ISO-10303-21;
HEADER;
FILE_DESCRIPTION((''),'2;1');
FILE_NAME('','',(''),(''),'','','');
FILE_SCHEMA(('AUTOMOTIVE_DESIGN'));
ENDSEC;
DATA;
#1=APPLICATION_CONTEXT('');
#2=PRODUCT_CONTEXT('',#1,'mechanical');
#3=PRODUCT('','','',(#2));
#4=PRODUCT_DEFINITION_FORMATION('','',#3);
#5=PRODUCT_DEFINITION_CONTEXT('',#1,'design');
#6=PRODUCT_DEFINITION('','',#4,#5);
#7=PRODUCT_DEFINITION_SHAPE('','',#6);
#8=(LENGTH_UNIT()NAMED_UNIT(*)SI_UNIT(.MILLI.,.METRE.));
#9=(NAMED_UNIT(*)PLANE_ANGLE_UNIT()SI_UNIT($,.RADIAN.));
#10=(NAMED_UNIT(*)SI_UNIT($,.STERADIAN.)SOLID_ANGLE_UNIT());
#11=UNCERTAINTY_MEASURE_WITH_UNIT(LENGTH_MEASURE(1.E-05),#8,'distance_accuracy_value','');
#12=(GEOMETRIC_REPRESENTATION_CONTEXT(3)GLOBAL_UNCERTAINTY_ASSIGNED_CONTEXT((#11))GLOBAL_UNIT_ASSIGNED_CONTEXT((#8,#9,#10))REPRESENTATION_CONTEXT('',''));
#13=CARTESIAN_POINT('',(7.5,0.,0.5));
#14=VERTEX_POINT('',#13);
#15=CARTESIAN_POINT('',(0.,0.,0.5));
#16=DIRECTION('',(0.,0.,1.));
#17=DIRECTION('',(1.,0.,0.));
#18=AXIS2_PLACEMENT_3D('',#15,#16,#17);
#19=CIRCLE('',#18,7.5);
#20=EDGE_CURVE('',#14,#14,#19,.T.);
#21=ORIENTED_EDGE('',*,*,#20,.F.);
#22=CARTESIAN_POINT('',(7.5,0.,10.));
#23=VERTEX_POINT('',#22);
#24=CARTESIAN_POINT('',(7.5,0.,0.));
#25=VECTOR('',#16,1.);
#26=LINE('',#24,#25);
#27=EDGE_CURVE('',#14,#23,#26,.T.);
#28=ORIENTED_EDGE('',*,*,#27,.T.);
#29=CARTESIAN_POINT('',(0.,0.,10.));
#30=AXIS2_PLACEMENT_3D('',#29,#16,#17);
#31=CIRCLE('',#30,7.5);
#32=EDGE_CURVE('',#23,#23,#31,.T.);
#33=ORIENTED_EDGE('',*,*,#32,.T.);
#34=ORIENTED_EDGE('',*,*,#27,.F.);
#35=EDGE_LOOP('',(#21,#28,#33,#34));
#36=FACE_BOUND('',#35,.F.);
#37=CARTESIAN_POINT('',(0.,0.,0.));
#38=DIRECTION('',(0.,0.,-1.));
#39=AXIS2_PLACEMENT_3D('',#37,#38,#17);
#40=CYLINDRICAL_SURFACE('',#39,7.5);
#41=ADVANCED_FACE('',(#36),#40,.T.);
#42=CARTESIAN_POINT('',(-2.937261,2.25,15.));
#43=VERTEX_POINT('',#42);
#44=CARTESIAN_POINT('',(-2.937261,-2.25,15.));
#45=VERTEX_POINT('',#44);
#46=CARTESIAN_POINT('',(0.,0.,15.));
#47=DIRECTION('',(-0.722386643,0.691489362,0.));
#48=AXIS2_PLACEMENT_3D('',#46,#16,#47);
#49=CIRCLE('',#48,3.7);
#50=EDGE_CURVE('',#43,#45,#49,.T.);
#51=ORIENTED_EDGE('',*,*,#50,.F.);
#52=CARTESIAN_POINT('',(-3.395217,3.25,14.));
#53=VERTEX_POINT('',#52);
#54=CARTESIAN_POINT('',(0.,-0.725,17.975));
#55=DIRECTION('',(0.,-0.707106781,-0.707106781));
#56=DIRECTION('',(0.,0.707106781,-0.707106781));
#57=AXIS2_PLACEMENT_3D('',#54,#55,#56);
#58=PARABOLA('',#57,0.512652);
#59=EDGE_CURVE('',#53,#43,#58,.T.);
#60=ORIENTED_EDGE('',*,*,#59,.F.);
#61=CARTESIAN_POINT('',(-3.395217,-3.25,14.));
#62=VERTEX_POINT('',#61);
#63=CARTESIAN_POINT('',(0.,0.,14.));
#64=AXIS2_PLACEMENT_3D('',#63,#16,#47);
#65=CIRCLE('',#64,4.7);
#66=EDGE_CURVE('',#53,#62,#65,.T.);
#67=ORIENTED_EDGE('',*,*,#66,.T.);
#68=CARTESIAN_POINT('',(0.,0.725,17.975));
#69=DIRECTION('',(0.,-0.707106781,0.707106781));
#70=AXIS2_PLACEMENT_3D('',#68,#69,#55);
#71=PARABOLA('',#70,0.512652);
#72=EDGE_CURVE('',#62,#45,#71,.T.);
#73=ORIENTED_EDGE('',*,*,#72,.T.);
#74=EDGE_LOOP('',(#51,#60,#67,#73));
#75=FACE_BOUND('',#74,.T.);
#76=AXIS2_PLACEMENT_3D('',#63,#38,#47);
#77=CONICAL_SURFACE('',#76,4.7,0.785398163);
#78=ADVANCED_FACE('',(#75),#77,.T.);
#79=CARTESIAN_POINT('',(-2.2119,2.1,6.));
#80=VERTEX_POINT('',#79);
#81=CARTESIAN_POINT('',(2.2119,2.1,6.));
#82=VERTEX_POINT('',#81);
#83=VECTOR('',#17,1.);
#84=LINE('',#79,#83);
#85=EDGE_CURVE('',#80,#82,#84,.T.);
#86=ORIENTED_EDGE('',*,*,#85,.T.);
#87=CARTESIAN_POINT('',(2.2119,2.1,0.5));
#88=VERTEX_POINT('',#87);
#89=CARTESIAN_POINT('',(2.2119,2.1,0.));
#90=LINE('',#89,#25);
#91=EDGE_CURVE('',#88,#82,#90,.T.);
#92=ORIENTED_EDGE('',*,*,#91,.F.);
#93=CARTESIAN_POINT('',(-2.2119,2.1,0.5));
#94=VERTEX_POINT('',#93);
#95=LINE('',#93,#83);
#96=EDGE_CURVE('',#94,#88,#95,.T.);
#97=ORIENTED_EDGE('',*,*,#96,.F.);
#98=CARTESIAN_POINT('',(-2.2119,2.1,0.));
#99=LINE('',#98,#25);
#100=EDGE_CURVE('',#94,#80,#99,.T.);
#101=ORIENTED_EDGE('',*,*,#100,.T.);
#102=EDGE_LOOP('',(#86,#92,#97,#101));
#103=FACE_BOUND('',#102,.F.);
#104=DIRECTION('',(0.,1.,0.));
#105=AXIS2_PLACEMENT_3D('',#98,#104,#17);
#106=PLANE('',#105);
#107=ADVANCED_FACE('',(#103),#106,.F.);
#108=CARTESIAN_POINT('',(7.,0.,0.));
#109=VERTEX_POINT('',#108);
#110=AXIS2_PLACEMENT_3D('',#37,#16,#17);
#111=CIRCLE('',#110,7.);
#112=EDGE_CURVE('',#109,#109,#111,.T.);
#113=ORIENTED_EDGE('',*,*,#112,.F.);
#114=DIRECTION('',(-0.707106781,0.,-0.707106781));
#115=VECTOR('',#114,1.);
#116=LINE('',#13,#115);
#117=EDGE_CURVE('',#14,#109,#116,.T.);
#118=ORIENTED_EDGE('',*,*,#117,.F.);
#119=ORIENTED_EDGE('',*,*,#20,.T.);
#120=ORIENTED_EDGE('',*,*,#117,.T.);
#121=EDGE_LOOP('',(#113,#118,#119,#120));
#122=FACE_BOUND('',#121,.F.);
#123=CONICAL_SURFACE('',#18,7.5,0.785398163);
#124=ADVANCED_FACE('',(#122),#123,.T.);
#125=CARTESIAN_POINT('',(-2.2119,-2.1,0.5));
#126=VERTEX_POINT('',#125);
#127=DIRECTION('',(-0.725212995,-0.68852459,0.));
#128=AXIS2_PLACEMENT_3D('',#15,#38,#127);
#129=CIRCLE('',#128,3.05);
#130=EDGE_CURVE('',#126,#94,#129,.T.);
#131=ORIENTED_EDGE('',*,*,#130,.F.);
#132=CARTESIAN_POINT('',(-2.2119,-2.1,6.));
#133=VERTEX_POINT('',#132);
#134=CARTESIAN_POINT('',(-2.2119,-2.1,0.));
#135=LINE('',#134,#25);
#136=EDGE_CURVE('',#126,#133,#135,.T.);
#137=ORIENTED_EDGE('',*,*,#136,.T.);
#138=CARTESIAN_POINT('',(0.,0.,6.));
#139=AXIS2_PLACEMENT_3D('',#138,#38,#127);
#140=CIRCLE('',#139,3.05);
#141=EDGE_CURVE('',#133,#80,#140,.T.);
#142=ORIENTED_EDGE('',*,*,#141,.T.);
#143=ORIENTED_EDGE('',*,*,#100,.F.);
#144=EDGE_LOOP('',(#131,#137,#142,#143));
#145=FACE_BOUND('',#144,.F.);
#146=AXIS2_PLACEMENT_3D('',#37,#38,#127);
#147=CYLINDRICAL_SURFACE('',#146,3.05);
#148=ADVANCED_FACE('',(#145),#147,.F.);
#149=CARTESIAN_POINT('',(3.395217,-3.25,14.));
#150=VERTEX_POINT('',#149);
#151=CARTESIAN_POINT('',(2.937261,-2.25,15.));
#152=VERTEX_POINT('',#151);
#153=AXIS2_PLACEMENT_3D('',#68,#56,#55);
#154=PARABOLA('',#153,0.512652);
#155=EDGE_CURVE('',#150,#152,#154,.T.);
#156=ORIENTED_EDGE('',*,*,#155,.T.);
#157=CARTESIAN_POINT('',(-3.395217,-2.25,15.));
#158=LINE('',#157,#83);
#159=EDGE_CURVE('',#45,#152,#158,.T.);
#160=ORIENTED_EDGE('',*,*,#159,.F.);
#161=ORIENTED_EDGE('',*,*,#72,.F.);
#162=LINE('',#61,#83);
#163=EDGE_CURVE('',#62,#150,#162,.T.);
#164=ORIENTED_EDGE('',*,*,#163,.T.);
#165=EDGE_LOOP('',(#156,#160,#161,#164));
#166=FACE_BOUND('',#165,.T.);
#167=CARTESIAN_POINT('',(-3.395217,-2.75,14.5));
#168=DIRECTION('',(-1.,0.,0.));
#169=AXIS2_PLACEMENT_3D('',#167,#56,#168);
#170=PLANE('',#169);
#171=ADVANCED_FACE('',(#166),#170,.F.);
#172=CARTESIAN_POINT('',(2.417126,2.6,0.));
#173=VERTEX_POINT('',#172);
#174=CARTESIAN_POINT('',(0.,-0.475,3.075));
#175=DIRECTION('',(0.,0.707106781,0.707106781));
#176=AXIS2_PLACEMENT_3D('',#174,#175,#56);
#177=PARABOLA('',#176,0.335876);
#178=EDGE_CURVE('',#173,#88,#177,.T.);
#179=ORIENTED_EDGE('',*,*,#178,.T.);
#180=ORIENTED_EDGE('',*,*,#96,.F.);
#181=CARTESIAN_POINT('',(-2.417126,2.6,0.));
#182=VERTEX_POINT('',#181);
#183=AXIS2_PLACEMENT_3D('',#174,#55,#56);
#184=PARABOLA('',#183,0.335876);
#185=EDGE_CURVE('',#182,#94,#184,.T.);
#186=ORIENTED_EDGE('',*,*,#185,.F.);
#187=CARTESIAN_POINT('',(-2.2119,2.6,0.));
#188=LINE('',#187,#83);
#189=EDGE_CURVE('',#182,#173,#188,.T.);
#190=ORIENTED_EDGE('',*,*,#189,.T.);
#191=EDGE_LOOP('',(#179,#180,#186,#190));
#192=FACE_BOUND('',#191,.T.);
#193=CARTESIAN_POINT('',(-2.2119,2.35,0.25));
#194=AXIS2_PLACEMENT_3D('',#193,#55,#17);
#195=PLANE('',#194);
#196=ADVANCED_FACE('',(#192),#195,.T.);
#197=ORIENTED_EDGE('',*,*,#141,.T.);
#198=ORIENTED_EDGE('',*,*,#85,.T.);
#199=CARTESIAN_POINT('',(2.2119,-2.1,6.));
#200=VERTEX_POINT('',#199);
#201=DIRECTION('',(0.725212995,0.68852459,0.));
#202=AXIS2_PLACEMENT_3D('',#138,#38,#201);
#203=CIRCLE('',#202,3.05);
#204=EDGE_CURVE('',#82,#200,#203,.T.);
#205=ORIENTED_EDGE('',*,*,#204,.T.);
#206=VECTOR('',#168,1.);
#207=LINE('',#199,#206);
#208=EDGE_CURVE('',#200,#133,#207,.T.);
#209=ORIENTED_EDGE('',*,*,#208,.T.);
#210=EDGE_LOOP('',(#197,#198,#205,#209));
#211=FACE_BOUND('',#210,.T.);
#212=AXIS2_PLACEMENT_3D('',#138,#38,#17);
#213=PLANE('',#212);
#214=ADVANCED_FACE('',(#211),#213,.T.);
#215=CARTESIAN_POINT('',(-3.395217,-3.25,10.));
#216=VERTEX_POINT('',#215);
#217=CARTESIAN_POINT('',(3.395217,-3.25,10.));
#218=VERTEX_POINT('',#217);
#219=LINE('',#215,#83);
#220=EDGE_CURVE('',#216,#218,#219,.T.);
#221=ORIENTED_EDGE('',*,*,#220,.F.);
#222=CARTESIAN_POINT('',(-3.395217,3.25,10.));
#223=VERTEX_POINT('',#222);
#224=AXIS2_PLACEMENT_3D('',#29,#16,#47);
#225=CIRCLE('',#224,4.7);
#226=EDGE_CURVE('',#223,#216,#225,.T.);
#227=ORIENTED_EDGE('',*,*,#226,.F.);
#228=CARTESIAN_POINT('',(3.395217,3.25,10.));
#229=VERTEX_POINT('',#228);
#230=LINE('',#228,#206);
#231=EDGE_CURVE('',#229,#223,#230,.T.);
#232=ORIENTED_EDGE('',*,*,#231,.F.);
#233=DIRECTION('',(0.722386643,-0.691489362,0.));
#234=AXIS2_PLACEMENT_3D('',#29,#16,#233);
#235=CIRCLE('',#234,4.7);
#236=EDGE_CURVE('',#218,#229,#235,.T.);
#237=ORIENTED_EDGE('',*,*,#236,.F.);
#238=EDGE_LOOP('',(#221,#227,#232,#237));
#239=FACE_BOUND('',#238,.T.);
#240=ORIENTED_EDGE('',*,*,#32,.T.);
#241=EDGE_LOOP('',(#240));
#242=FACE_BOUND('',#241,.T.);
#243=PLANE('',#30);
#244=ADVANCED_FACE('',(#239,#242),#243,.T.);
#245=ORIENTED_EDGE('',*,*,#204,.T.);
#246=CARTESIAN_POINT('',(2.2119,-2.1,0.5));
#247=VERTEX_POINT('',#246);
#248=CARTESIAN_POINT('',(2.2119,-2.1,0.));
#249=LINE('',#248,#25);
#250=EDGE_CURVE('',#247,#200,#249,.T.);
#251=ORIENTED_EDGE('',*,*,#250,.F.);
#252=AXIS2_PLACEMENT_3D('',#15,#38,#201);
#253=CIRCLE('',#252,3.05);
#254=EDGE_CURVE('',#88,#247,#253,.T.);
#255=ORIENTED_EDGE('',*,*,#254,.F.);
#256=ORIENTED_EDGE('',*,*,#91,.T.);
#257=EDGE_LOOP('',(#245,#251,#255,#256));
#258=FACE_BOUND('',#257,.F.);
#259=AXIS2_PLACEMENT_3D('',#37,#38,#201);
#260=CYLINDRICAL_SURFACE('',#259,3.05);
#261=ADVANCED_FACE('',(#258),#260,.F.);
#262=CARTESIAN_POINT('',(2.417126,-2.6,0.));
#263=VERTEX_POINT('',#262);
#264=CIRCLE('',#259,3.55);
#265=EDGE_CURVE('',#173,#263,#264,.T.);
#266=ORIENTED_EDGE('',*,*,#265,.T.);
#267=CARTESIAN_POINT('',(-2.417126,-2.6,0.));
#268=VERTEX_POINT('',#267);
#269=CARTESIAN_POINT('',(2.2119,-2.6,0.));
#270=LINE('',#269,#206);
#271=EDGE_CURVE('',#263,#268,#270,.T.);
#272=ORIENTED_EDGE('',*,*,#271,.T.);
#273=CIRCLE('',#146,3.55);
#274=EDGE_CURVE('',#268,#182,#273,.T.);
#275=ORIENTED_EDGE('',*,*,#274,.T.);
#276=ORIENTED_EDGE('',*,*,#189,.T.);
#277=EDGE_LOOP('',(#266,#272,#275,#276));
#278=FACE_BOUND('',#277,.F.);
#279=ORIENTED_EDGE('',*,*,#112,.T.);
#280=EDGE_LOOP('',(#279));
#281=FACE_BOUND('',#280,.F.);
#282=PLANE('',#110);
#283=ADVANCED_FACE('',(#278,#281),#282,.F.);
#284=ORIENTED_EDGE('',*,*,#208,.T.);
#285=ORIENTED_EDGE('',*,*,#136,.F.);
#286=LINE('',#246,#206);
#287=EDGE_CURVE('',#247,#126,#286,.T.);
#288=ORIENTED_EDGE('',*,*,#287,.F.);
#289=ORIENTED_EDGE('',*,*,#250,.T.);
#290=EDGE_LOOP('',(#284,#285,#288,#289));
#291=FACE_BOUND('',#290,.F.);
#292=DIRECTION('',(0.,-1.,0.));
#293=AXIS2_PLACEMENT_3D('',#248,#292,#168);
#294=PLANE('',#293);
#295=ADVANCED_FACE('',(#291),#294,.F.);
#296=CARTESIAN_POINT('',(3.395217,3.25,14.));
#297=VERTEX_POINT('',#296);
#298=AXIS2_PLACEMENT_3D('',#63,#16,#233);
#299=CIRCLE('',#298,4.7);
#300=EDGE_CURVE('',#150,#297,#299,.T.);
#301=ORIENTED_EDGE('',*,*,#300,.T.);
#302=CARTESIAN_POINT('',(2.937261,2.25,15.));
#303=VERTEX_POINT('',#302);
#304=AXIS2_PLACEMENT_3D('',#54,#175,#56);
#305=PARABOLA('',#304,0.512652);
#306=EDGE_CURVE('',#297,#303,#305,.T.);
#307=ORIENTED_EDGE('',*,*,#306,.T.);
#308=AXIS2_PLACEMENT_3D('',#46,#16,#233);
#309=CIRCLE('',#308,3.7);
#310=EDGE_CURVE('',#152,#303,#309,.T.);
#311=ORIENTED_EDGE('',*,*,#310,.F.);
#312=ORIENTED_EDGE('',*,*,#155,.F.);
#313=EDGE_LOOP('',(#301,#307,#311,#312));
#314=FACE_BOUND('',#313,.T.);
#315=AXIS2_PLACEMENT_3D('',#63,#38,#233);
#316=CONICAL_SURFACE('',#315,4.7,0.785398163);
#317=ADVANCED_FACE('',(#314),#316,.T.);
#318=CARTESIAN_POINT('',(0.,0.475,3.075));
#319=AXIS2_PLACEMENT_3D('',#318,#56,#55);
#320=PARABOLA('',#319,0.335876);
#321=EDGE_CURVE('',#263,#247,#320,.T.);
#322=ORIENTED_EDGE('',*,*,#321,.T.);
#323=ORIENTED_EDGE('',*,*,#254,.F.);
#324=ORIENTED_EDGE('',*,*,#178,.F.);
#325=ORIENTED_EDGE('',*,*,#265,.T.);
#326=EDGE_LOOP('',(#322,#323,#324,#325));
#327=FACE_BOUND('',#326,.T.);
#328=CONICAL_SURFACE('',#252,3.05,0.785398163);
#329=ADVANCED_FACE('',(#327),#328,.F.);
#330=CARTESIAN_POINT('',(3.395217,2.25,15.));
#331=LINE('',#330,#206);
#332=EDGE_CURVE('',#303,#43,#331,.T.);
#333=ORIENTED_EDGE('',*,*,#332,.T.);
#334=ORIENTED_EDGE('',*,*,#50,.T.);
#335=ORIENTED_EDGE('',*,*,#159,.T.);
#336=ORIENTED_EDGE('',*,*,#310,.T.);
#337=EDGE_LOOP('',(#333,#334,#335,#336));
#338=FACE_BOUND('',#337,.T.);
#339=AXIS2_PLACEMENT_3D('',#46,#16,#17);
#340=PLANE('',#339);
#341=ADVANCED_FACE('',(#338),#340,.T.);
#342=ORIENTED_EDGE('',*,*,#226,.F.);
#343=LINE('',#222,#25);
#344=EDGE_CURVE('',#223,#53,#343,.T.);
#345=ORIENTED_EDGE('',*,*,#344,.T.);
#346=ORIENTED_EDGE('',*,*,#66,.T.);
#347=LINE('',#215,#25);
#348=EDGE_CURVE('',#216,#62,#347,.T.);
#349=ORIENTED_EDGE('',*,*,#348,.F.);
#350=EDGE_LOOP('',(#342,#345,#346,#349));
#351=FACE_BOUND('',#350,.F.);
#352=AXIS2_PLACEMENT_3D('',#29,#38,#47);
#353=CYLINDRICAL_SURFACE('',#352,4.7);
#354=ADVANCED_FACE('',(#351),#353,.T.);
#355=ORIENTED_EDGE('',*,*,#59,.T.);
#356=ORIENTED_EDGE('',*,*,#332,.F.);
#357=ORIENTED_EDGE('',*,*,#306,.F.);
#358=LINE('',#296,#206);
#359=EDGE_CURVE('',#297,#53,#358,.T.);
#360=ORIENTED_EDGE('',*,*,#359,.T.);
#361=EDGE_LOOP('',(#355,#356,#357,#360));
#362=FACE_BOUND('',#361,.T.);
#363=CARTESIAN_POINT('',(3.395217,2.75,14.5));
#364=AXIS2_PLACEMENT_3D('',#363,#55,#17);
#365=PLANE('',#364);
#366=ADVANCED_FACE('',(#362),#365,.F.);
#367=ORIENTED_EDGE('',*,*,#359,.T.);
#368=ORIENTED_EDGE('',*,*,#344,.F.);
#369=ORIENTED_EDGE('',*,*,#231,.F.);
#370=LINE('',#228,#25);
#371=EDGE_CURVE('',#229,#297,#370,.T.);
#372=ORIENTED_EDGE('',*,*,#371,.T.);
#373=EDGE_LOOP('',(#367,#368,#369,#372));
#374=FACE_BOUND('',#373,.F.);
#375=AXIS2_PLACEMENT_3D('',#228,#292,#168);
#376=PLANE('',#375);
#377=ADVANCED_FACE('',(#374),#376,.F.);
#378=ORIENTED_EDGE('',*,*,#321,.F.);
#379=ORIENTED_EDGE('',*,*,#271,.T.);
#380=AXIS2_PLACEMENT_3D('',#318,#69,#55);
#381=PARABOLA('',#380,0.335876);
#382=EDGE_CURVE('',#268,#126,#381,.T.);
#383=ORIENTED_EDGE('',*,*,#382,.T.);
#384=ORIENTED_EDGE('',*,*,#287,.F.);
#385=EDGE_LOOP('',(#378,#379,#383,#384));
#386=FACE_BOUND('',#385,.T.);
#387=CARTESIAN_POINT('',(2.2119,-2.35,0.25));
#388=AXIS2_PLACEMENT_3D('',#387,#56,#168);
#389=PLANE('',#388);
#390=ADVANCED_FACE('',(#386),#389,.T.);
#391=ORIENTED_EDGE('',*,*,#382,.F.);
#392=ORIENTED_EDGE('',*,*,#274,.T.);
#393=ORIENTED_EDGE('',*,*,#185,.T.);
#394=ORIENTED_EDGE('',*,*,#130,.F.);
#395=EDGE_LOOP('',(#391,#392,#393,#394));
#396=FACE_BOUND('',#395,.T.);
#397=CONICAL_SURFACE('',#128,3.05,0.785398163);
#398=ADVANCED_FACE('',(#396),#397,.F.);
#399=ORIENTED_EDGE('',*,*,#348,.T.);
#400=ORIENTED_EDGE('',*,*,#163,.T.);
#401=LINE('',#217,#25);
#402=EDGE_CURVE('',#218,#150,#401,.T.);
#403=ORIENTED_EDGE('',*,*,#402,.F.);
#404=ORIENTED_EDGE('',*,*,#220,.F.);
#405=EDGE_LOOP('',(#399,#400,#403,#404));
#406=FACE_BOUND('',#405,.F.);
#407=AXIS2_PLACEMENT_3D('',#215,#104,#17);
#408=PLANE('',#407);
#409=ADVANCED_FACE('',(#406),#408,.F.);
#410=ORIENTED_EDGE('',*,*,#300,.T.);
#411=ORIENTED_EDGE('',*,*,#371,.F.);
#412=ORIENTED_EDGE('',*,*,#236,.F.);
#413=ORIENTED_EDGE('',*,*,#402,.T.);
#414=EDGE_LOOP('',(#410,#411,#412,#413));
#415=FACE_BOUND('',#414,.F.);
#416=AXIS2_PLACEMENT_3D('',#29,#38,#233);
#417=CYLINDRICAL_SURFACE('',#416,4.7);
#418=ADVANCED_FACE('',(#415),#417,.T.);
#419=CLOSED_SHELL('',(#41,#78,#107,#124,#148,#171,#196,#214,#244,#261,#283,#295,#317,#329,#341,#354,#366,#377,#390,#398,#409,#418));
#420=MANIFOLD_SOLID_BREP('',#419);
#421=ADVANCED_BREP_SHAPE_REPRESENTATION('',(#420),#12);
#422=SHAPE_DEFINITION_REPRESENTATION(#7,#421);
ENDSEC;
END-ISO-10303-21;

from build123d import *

# Parameters (mm, degrees)
F1_R     = 7.5
F2_DEPTH = 10
F3_START = 10
F3_DEPTH = 5
F4_SIZE  = 1
F6_DEPTH = 6
F7_SIZE  = 0.5


with BuildPart() as f2:
    # F1 (on Top) → F2 (new body)
    with BuildSketch(Plane.XY):
        Circle(F1_R)
    extrude(amount=F2_DEPTH)

    # F0 (on Top) → F3 (join)
    with BuildSketch(Plane.XY.offset(F3_START)):
        with BuildLine():
            Line((3.3952172243, 3.25), (-3.3952172243, 3.25))
            ThreePointArc((-3.3952172243, 3.25), (-4.7, 0), (-3.3952172243, -3.25))
            Line((-3.3952172243, -3.25), (3.3952172243, -3.25))
            ThreePointArc((3.3952172243, -3.25), (4.7, 0), (3.3952172243, 3.25))
        make_face()
    extrude(amount=F3_DEPTH)

    # F4
    f4_edges = [f2.edges().sort_by_distance(p)[0] for p in [
        (-4.7, 0, 15),
        (0, -3.25, 15),
        (4.7, 0, 15),
        (0, 3.25, 15),
    ]]
    chamfer(f4_edges, length=F4_SIZE)

    # F5 (on face) → F6 (cut)
    with BuildSketch(Plane(origin=(0, 0, 0), x_dir=(1, 0, 0), z_dir=(0, 0, -1))):
        with BuildLine():
            Line((-2.2118996361, -2.1), (2.2118996361, -2.1))
            ThreePointArc((2.2118996361, -2.1), (3.05, 0), (2.2118996361, 2.1))
            Line((2.2118996361, 2.1), (-2.2118996361, 2.1))
            ThreePointArc((-2.2118996361, 2.1), (-3.05, 0), (-2.2118996361, -2.1))
        make_face()
    extrude(amount=-F6_DEPTH, mode=Mode.SUBTRACT)

    # F7
    f7_edges = [f2.edges().sort_by_distance(p)[0] for p in [
        (-7.5, 0, 0),
        (0, -2.1, 0),
        (3.05, 0, 0),
        (0, 2.1, 0),
        (-3.05, 0, 0),
    ]]
    chamfer(f7_edges, length=F7_SIZE)


solid = f2.part
